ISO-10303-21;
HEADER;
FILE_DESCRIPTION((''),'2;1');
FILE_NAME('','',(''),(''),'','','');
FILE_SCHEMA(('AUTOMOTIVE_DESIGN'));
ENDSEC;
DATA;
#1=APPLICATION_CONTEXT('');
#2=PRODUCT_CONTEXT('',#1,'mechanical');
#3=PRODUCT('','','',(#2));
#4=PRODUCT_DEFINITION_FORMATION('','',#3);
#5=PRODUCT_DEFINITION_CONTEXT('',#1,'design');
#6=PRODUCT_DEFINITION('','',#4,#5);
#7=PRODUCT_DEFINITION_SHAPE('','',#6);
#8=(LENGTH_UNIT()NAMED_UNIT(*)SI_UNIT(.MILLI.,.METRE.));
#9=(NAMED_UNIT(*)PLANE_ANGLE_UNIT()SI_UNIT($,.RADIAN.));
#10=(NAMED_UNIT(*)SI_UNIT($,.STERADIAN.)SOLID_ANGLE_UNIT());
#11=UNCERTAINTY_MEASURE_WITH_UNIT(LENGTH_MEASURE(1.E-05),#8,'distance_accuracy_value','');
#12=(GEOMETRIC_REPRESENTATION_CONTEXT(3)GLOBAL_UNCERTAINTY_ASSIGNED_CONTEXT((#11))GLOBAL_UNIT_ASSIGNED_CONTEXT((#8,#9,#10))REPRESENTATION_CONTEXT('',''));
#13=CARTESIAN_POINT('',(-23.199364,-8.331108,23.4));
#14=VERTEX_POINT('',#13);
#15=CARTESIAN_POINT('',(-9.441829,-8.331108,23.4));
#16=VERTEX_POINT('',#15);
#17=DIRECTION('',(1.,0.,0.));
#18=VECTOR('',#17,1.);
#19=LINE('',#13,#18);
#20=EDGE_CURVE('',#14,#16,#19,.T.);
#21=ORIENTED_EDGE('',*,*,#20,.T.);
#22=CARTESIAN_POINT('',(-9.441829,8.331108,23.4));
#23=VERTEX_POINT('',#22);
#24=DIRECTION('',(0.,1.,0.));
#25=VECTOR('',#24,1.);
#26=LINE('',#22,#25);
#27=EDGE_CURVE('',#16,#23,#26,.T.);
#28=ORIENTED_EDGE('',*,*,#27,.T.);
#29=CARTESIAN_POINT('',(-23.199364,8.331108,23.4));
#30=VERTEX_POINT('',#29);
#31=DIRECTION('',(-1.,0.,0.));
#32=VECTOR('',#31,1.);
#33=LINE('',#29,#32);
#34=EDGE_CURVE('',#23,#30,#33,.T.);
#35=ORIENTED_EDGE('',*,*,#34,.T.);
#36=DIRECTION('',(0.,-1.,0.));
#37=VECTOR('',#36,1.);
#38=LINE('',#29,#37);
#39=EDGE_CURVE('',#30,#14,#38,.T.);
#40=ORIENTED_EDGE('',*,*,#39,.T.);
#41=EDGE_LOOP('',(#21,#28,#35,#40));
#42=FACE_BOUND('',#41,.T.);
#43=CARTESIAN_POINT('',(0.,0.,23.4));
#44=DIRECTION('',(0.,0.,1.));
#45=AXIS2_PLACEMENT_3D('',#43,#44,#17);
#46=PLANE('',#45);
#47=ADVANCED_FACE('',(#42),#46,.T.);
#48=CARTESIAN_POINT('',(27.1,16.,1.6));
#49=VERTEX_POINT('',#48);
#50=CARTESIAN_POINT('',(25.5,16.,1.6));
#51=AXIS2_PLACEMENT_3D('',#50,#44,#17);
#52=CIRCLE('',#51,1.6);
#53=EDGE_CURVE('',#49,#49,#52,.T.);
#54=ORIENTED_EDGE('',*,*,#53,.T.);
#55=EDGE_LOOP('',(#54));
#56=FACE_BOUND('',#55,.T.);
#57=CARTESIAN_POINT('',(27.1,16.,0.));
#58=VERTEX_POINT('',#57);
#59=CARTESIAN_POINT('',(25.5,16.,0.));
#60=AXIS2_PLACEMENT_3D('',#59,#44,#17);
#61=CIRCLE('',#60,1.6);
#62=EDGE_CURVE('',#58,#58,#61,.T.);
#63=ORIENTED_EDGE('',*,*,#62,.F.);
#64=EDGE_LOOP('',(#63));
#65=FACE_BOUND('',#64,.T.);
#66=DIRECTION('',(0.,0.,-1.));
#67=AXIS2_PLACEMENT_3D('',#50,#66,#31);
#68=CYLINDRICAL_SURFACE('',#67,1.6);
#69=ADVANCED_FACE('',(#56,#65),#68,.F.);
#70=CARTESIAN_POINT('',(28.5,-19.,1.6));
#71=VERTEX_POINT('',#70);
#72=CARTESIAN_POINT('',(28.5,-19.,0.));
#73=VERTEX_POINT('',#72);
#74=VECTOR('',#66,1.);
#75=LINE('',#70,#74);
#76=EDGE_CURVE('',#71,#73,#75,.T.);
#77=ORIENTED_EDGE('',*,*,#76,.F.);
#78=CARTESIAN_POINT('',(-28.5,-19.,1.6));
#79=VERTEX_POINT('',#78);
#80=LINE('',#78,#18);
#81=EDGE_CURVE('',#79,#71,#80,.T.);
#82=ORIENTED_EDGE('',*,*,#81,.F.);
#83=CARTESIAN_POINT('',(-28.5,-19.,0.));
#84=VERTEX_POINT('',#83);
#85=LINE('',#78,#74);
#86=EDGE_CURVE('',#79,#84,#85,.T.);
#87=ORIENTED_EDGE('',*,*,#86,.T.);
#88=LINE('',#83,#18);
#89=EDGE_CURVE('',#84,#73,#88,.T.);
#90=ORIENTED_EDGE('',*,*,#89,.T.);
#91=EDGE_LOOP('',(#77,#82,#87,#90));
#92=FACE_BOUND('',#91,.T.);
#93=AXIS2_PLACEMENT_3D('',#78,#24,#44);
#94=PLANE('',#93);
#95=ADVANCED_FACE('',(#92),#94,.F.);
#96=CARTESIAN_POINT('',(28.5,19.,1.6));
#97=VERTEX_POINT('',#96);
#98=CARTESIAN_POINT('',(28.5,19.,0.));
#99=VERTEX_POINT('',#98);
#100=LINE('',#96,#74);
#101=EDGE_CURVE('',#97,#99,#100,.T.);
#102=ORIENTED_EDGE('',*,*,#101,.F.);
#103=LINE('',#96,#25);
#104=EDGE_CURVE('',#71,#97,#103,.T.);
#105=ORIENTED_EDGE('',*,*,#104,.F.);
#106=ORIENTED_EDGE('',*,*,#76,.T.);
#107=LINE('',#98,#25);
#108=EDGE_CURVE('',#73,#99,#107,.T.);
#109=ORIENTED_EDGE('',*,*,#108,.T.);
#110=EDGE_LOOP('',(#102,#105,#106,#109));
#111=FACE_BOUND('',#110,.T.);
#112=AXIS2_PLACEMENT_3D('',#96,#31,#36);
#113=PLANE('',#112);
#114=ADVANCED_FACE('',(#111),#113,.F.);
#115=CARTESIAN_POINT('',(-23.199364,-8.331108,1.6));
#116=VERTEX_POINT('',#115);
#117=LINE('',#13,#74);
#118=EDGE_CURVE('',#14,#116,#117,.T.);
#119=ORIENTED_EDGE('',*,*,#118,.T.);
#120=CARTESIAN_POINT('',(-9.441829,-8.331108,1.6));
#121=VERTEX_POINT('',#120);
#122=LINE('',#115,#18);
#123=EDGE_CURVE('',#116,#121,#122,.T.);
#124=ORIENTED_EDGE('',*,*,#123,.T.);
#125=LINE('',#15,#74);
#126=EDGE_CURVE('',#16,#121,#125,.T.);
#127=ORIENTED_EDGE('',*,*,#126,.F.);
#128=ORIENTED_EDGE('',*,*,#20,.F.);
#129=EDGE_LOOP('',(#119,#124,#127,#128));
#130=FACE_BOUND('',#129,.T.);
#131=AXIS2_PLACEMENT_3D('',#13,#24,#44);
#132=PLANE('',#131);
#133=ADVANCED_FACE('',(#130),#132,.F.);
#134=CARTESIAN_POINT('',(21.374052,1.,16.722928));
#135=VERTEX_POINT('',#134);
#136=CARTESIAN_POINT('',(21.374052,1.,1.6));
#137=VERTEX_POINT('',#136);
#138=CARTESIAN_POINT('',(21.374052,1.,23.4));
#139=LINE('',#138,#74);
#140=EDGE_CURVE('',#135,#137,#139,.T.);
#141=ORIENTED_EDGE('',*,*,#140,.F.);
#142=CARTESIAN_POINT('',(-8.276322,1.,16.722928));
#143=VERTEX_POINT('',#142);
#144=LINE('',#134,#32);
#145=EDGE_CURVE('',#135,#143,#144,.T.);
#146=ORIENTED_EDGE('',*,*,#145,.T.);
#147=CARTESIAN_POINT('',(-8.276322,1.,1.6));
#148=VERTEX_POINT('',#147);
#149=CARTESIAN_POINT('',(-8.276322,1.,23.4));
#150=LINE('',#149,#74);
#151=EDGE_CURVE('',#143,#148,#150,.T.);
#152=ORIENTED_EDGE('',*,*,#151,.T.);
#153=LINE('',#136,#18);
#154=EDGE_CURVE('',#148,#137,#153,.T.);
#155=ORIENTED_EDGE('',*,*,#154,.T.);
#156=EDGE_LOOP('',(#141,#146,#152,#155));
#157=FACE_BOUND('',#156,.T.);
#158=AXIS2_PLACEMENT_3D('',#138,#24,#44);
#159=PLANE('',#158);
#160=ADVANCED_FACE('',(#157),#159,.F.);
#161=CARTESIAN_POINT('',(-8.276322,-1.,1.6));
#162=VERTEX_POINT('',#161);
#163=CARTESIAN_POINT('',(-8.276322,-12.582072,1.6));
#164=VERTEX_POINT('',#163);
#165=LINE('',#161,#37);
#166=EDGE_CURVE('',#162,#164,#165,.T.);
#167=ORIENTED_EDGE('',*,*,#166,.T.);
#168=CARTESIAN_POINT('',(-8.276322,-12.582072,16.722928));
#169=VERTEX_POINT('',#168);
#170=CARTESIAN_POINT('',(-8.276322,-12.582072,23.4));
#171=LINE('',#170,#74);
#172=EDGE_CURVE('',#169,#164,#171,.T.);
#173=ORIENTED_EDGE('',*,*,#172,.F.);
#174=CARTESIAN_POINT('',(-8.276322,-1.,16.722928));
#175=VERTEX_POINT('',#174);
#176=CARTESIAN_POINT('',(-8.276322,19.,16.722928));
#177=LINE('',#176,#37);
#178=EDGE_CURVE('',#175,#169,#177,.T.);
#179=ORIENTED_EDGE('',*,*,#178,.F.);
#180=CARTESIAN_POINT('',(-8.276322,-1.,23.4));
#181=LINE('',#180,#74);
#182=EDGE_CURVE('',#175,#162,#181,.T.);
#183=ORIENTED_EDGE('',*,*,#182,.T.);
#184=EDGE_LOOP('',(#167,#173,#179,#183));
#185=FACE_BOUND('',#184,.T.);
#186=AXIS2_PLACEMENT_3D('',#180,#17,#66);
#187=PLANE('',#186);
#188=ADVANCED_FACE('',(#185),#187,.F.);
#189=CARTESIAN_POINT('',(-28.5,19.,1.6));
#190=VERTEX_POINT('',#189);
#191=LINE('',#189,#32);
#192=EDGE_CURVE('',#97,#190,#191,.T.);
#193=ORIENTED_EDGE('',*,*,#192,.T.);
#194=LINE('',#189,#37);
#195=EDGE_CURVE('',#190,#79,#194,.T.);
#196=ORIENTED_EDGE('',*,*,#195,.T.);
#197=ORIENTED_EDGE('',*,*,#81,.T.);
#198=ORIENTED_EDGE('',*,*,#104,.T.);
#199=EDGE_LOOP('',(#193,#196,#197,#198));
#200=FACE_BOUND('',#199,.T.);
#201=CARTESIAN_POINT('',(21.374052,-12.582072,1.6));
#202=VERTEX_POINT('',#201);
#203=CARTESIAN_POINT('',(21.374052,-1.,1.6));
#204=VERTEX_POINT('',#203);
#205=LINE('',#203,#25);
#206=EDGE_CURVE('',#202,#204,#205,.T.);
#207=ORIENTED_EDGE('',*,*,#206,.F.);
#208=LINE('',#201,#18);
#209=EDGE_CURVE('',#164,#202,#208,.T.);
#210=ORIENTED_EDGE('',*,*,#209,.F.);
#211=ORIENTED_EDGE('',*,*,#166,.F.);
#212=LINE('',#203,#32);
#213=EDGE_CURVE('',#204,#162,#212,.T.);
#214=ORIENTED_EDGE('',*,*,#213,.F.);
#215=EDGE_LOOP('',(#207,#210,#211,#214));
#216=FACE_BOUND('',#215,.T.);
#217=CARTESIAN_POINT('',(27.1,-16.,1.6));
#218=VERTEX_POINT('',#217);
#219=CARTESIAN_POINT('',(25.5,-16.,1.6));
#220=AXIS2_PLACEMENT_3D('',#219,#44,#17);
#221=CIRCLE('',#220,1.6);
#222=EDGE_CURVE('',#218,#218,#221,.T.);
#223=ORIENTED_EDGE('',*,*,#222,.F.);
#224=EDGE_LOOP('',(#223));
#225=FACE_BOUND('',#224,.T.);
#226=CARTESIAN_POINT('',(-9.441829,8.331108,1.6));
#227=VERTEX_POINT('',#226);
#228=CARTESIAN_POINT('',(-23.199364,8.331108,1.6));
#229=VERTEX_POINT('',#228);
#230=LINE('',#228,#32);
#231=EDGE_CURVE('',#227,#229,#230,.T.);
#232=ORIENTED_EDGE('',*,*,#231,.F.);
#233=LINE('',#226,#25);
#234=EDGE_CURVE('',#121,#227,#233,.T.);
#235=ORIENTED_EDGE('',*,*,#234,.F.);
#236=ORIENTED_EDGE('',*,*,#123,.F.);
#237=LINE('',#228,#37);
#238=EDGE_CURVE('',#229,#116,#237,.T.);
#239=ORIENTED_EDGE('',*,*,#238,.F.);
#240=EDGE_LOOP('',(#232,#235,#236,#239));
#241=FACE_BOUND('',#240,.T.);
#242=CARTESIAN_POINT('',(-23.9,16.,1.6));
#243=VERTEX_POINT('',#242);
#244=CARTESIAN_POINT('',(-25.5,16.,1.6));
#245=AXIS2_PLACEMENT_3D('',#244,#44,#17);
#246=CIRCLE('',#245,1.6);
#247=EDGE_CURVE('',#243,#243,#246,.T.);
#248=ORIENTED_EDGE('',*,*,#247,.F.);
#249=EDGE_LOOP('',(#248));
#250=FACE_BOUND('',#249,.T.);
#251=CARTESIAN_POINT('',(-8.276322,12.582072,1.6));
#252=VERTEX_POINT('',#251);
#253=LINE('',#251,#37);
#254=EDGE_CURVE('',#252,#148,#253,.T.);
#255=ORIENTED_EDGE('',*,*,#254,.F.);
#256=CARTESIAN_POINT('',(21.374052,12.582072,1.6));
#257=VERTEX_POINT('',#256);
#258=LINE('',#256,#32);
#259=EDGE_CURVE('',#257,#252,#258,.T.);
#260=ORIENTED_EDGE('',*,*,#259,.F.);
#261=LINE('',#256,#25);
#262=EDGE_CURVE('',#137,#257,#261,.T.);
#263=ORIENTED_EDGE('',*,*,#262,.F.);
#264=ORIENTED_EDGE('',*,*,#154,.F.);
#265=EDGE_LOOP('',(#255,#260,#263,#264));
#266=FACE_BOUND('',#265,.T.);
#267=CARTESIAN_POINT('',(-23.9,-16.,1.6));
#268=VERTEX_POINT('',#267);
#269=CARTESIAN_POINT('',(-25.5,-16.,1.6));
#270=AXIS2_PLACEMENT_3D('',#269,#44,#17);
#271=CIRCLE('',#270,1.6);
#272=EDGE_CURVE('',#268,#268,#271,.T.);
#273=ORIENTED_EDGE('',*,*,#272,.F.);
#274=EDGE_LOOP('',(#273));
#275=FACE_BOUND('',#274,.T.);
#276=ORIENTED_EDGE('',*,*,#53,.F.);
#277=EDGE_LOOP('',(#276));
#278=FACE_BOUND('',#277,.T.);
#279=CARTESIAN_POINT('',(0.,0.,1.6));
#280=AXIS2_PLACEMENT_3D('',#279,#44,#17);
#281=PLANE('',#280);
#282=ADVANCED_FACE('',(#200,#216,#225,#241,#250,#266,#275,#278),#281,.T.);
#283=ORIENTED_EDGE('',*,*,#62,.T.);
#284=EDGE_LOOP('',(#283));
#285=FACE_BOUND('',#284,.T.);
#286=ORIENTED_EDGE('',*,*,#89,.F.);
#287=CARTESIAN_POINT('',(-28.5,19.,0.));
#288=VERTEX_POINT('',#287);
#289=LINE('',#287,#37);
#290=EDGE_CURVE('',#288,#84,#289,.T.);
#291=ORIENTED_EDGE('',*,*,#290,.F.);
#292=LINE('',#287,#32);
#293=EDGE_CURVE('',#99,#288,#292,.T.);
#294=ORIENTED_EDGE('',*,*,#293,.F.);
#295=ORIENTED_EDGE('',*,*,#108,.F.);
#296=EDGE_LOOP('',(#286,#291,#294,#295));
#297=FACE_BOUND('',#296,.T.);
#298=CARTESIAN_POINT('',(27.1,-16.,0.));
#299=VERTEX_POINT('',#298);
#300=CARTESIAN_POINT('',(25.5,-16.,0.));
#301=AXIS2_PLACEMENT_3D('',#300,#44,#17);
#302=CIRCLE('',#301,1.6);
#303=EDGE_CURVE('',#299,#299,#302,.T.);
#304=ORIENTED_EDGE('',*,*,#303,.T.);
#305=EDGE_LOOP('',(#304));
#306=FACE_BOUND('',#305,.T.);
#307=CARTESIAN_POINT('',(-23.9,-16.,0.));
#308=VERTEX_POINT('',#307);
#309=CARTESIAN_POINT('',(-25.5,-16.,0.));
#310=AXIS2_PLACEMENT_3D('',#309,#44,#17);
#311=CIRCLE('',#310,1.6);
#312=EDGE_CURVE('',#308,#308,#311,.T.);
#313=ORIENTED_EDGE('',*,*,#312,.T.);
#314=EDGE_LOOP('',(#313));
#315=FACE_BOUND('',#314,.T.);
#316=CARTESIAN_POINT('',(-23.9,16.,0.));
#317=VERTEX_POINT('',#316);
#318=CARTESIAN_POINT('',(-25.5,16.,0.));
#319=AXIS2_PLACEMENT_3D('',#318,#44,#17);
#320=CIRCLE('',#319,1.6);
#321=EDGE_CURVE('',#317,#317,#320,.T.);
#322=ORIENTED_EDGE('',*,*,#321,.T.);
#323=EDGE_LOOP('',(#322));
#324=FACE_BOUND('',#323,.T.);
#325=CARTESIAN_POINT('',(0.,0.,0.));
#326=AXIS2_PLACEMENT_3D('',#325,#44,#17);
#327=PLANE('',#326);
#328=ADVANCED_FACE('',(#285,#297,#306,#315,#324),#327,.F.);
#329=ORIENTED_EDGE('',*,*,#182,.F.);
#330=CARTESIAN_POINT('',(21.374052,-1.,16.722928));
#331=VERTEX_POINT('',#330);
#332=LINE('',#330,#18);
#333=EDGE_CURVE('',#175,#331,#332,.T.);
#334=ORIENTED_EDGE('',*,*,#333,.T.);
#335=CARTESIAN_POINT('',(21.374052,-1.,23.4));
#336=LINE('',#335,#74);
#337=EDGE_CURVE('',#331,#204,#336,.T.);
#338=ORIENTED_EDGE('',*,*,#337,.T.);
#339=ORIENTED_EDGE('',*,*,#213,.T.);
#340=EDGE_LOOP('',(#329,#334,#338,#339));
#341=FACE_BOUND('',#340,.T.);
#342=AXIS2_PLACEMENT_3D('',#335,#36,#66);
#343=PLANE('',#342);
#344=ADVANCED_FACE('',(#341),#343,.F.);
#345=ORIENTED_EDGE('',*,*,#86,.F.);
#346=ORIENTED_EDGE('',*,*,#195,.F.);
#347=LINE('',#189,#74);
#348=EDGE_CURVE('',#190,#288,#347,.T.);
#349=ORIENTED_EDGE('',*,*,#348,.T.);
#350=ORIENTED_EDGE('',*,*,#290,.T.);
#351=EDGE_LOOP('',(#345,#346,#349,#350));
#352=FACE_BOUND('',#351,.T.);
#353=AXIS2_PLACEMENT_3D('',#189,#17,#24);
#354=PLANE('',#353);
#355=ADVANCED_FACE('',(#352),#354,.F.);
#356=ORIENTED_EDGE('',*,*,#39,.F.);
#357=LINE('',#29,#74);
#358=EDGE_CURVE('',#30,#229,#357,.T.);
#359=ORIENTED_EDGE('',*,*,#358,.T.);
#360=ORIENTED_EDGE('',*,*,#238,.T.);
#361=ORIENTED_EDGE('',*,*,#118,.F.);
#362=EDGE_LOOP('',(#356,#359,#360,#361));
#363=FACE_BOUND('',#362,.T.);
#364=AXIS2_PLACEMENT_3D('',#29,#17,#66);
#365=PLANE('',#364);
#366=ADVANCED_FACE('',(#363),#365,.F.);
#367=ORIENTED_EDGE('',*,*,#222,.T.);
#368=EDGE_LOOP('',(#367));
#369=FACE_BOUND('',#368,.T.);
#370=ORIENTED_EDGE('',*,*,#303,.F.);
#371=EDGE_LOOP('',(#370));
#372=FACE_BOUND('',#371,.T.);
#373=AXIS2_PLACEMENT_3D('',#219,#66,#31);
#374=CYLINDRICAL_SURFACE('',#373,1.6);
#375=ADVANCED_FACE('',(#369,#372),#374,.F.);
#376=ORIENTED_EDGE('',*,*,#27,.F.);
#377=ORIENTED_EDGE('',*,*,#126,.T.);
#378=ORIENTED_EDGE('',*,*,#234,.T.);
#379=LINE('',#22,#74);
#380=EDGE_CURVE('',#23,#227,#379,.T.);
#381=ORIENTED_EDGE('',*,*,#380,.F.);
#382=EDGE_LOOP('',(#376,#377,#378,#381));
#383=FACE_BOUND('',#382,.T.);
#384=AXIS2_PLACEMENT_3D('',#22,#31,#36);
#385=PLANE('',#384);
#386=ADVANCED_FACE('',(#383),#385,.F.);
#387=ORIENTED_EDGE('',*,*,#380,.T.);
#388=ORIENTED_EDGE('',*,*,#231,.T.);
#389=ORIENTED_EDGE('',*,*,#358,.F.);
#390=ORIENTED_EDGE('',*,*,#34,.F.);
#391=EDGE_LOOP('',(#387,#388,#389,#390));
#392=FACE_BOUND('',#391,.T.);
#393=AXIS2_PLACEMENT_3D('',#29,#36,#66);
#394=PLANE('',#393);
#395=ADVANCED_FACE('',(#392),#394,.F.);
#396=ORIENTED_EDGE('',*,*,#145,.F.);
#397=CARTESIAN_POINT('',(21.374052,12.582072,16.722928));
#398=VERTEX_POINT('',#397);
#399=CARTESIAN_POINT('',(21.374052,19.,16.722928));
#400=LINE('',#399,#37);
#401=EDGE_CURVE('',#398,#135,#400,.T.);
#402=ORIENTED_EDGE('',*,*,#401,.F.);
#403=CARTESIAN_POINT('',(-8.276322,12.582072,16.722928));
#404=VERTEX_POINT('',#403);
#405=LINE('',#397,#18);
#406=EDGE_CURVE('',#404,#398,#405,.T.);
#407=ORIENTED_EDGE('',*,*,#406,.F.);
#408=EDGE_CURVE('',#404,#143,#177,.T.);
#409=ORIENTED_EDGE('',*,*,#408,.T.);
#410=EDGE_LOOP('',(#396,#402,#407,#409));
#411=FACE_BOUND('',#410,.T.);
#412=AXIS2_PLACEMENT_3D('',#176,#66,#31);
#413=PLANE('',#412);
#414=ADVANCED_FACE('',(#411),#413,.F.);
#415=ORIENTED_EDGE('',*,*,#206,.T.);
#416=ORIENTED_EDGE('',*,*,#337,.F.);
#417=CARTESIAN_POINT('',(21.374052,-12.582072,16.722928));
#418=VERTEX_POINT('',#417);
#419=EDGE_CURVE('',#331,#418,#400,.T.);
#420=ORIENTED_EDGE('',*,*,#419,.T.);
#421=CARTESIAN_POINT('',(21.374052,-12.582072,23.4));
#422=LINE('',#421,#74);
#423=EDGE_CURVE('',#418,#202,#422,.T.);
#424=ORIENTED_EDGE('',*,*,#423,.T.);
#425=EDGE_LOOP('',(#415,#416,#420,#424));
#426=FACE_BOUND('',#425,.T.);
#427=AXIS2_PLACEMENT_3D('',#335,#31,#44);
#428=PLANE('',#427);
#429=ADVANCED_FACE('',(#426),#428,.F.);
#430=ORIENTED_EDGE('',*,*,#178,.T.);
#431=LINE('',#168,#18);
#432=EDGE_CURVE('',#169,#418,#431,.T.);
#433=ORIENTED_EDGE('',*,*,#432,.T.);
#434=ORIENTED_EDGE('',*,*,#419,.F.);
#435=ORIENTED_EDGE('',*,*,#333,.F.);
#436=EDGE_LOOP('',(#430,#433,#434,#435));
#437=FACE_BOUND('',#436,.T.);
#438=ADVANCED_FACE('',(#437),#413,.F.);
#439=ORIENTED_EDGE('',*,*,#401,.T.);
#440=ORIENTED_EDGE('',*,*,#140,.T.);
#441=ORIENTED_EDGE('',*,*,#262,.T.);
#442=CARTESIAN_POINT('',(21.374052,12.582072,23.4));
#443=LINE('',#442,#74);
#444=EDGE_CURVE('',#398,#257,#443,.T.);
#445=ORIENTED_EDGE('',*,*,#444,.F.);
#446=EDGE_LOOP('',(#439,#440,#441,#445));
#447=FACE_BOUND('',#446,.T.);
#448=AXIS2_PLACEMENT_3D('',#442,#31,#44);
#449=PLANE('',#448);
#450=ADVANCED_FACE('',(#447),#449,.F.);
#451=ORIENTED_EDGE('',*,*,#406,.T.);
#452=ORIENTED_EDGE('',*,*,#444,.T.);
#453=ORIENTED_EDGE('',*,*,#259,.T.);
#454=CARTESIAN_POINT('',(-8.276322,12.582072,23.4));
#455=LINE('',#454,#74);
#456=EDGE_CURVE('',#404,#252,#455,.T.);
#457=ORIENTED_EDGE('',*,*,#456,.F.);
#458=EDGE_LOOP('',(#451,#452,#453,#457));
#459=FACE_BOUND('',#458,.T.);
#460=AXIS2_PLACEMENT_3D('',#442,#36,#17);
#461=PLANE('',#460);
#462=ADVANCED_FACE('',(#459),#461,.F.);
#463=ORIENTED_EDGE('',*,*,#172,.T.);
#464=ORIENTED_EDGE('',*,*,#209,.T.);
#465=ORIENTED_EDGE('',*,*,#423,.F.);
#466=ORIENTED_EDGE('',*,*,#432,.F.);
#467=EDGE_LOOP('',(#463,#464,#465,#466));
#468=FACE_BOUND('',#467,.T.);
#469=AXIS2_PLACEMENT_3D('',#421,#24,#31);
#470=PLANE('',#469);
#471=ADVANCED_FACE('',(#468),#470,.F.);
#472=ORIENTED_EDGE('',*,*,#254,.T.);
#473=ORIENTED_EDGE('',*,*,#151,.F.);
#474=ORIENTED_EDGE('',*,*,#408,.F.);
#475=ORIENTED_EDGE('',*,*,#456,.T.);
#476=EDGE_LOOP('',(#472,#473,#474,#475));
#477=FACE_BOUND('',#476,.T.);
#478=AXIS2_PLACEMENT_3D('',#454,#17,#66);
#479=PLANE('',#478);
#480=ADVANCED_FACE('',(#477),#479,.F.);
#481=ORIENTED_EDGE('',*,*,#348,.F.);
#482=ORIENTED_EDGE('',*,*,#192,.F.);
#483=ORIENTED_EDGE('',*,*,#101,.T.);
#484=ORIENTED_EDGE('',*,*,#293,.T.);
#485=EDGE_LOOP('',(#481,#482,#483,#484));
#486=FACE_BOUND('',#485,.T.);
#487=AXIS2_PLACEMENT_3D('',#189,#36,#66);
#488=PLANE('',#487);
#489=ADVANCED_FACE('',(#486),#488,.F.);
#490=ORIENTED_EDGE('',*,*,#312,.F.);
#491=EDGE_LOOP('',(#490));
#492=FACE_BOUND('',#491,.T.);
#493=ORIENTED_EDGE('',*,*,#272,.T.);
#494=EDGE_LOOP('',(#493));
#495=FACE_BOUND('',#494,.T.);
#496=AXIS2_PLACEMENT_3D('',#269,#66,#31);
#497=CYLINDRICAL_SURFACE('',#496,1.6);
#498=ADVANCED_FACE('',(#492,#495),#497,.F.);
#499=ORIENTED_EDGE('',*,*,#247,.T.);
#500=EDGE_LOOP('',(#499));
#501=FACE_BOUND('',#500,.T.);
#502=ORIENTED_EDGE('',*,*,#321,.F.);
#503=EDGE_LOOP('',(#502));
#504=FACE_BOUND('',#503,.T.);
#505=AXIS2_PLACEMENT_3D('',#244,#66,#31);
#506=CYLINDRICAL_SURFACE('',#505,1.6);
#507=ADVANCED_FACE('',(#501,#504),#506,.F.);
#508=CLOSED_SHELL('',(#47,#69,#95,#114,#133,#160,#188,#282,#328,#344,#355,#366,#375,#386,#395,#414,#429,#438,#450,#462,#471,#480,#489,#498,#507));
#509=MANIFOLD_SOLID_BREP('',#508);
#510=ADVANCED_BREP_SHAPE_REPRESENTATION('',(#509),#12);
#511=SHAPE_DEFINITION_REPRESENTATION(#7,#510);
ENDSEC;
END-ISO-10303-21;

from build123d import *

# Parameters (mm, degrees)
SKETCH1_W           = 57
SKETCH1_H           = 38
SKETCH1_R           = 1.6
BOSS_EXTRUDE1_DEPTH = 1.6
SKETCH2_W           = 13.757535131
SKETCH2_H           = 16.66221661
SKETCH2_W_2         = 29.650373418
SKETCH2_H_2         = 11.582071503
BOSS_EXTRUDE2_DEPTH = 21.8
SKETCH3_W           = 29.650373418
SKETCH3_H           = 6.677072175
CUT_EXTRUDE1_DEPTH  = 49.551387626


with BuildPart() as part:
    # Sketch1 → Boss-Extrude1 (new body)
    with BuildSketch(Plane.XY):
        Rectangle(SKETCH1_W, SKETCH1_H)
        with Locations((-25.5, 16)):
            Circle(SKETCH1_R, mode=Mode.SUBTRACT)
        with Locations((-25.5, -16)):
            Circle(SKETCH1_R, mode=Mode.SUBTRACT)
        with Locations((25.5, -16)):
            Circle(SKETCH1_R, mode=Mode.SUBTRACT)
        with Locations((25.5, 16)):
            Circle(SKETCH1_R, mode=Mode.SUBTRACT)
    extrude(amount=BOSS_EXTRUDE1_DEPTH)

    # Sketch2 → Boss-Extrude2 (add)
    with BuildSketch(Plane.XY.offset(1.6)):
        with Locations((-16.320596847, 0)):
            Rectangle(SKETCH2_W, SKETCH2_H)
        with Locations((6.548865085, 6.791035752)):
            Rectangle(SKETCH2_W_2, SKETCH2_H_2)
        with Locations((6.548865085, -6.791035752)):
            Rectangle(SKETCH2_W_2, SKETCH2_H_2)
    extrude(amount=BOSS_EXTRUDE2_DEPTH)

    # Sketch3 → Cut-Extrude1 (cut, through all)
    with BuildSketch(Plane(origin=(0, -12.582071503, 0), x_dir=(-1, 0, 0), z_dir=(0, -1, 0))):
        with Locations((-6.548865085, -20.061463913)):
            Rectangle(SKETCH3_W, SKETCH3_H)
    extrude(amount=-CUT_EXTRUDE1_DEPTH, mode=Mode.SUBTRACT)


solid = part.part
